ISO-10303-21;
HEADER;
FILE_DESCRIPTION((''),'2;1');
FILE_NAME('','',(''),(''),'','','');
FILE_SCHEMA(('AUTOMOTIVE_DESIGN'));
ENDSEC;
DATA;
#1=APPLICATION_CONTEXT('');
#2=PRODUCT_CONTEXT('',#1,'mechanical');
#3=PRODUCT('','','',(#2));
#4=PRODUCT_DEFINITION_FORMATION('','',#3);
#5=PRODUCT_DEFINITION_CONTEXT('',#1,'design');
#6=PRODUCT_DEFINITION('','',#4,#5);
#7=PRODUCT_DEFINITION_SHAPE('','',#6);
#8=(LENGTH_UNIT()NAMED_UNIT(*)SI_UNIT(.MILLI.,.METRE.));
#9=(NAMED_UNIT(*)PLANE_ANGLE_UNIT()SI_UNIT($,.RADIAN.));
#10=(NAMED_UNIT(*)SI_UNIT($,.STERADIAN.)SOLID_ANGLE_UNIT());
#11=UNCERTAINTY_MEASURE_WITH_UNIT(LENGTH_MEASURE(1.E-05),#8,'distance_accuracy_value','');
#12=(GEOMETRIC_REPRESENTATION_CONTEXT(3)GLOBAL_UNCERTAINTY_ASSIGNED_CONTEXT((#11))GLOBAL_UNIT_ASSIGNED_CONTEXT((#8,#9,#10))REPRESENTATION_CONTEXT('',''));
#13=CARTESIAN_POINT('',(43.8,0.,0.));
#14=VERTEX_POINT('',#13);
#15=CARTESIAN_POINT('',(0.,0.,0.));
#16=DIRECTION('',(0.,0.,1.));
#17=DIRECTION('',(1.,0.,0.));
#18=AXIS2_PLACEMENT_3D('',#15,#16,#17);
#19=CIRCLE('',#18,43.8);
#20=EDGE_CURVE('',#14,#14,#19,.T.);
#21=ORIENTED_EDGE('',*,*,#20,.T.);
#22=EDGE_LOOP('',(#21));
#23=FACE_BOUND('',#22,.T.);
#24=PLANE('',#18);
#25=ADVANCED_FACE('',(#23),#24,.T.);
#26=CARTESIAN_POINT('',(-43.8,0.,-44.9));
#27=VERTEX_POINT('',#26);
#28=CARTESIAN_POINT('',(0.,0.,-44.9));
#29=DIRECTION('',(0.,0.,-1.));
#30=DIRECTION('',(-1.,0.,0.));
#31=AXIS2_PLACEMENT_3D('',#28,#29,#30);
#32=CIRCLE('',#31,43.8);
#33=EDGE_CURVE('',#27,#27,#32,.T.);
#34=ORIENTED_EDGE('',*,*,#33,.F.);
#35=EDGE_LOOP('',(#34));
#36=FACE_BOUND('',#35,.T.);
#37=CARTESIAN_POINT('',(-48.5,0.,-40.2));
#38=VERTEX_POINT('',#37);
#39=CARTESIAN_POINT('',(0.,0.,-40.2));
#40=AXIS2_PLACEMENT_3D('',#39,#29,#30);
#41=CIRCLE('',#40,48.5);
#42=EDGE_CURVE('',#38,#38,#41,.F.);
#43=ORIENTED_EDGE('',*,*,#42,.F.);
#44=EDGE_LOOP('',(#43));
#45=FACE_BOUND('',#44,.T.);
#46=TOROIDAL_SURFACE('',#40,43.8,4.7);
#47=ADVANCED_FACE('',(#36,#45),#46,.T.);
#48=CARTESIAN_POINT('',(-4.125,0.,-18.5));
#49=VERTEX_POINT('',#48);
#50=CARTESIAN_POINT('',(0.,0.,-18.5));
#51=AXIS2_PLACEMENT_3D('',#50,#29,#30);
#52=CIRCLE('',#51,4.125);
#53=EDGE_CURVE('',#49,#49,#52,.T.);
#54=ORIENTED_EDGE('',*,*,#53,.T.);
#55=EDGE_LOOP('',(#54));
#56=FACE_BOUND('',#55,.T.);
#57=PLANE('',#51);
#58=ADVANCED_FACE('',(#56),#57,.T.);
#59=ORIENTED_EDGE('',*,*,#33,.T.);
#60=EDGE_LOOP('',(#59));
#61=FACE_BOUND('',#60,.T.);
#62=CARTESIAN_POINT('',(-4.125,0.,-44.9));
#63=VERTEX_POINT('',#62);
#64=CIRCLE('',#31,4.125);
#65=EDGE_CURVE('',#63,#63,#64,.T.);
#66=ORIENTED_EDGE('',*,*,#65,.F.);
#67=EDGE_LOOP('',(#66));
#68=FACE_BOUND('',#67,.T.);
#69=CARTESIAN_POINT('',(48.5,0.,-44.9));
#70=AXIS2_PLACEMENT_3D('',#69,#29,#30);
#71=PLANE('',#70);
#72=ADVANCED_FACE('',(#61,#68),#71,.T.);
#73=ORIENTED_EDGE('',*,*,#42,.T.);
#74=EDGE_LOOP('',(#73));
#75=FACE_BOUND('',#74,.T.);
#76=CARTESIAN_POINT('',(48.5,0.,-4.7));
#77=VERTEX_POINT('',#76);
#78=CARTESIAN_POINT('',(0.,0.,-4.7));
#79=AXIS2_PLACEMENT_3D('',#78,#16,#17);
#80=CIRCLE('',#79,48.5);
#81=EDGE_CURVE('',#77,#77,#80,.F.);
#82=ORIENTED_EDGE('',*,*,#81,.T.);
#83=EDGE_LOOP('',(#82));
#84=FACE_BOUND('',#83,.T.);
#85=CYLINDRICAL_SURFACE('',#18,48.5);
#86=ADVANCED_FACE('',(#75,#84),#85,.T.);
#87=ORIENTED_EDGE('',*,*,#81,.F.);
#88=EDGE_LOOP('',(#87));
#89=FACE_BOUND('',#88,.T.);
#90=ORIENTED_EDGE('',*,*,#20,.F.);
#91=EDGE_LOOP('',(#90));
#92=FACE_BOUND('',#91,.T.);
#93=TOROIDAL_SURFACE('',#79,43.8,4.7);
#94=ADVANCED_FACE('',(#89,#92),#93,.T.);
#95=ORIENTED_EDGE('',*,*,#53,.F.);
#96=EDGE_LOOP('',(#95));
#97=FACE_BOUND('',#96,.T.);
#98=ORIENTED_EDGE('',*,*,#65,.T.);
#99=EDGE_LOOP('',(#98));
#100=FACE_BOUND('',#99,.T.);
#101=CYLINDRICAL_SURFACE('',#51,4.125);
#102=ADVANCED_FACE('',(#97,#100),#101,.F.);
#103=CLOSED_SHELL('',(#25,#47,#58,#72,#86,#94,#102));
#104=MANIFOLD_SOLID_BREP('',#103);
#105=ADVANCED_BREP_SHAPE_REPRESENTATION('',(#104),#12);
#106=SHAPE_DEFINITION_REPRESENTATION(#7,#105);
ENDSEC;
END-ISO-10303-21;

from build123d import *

# Parameters (mm, degrees)
SKETCH1_W          = 48.5
SKETCH1_H          = 44.9
SKETCH2_R          = 4.125
CUT_EXTRUDE1_DEPTH = 26.4
FILLET1_R          = 4.7


with BuildPart() as part:
    # Sketch1 → Revolve1 (revolve)
    with BuildSketch(Plane(origin=(0, 0, 0), x_dir=(1, 0, 0), z_dir=(0, 1, 0))):
        with Locations((24.25, 22.45)):
            Rectangle(SKETCH1_W, SKETCH1_H)
    revolve(axis=Axis((0, 0, 0), (0, 0, -1)))

    # Sketch2 → Cut-Extrude1 (cut)
    with BuildSketch(Plane(origin=(0, 0, -44.9), x_dir=(-1, 0, 0), z_dir=(0, 0, -1))):
        Circle(SKETCH2_R)
    extrude(amount=-CUT_EXTRUDE1_DEPTH, mode=Mode.SUBTRACT)

    # Fillet1
    fillet1_edges = [part.edges().sort_by_distance(p)[0] for p in [
        (-48.5, 0, -44.9),
        (-48.5, 0, 0),
    ]]
    fillet(fillet1_edges, radius=FILLET1_R)


solid = part.part
